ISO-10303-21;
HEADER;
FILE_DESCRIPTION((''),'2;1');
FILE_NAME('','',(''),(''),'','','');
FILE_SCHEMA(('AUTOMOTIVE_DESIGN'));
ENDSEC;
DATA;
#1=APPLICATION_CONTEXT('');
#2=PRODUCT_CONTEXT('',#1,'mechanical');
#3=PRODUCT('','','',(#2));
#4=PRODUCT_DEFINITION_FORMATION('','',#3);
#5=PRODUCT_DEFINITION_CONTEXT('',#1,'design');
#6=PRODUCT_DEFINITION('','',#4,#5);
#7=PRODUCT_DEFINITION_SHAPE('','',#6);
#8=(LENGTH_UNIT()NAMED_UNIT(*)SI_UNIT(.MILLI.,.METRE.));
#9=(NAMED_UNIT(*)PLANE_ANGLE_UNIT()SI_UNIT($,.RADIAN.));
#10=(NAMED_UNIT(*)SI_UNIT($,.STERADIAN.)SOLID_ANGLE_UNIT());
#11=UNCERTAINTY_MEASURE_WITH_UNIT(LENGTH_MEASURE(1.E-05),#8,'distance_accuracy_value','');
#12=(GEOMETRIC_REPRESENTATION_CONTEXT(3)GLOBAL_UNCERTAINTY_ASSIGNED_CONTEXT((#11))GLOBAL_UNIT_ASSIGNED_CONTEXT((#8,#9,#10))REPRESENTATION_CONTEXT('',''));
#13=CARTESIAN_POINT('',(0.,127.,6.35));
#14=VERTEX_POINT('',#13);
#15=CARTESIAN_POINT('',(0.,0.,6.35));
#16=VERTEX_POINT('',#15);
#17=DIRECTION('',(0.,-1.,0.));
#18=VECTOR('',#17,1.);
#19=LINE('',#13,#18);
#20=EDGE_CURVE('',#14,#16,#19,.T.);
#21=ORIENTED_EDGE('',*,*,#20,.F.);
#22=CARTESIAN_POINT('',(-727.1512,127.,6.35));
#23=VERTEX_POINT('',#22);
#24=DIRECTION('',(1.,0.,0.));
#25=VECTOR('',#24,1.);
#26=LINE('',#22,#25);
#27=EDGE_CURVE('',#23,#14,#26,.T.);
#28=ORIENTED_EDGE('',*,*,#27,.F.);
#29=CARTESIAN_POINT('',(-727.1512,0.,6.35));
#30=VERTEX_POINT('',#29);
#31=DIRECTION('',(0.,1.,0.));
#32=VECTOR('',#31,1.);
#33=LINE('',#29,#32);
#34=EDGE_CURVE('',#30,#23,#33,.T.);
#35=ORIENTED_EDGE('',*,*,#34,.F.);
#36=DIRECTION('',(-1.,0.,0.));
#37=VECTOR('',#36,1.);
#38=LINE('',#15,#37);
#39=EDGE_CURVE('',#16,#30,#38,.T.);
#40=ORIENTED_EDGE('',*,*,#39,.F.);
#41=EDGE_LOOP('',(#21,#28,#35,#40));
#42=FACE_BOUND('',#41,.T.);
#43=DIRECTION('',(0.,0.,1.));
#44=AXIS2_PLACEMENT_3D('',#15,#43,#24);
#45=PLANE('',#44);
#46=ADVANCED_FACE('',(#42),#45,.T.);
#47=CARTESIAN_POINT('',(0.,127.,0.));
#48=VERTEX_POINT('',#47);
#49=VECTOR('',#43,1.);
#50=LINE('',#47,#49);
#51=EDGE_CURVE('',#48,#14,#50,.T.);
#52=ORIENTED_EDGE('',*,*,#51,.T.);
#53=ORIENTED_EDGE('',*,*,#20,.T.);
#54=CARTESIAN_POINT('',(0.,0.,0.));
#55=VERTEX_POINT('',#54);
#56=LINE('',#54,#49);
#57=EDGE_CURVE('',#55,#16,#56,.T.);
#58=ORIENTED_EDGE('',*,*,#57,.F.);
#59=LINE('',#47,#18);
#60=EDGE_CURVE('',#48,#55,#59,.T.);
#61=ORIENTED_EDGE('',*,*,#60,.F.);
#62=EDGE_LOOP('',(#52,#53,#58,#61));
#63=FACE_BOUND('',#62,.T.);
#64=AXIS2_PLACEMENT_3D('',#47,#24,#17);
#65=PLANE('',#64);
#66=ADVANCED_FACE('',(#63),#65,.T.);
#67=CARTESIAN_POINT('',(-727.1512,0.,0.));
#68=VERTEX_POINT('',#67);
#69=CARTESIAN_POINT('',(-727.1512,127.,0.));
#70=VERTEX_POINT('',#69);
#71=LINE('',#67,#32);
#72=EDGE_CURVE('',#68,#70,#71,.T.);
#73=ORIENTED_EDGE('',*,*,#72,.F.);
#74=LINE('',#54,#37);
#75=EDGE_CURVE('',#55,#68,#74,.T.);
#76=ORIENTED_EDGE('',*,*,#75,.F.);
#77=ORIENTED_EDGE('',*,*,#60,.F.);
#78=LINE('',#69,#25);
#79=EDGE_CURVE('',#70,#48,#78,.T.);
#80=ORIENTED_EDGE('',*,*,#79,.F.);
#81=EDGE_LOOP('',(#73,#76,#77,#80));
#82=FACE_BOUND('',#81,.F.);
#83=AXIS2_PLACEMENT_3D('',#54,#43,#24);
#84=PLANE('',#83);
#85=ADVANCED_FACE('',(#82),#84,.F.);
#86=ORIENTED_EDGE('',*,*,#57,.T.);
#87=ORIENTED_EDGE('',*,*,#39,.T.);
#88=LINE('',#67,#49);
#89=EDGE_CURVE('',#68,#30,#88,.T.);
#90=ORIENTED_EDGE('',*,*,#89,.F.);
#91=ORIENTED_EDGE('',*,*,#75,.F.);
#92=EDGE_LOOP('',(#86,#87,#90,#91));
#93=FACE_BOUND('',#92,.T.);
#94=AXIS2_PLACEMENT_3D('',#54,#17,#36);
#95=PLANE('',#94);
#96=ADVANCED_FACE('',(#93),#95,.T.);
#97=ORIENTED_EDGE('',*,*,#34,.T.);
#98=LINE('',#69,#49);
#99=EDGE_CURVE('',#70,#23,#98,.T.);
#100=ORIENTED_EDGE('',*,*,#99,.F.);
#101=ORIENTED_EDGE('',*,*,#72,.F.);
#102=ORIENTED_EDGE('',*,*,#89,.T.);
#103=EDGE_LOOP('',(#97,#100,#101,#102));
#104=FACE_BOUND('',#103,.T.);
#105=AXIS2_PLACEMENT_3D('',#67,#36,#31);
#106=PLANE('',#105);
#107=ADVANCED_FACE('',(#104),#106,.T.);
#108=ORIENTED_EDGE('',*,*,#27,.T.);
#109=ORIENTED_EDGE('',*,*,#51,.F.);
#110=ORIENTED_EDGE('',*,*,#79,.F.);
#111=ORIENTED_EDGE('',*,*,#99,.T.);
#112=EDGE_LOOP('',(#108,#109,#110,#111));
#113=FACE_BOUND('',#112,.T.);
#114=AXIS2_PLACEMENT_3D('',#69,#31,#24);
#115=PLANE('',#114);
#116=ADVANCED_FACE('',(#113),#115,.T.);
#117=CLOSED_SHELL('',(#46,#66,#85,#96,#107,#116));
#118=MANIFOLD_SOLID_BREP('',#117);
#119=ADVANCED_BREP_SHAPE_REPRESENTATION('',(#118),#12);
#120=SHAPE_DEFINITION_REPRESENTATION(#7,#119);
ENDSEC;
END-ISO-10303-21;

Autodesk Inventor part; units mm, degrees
ref_plane "YZ Plane" through (0, 0, 0) normal (1, 0, 0) x (0, 1, 0)
ref_plane "XZ Plane" through (0, 0, 0) normal (0, 1, 0) x (-1, 0, 0)
ref_plane "XY Plane" through (0, 0, 0) normal (0, 0, 1) x (1, 0, 0)
sketch "Sketch1" plane through (0, 0, 0) normal (0, 0, 1) x (1, 0, 0)
  line L0 (0, 0) -> (-727.1512, 0)
  line L1 (-727.1512, 0) -> (-727.1512, 127)
  line L2 (-727.1512, 127) -> (0, 127)
  line L3 (0, 127) -> (0, 0)
  dimension "d0" = 727.1512
  dimension "d1" = 127
extrude "Extrusion1" add sketch "Sketch1" along normal blind 6.35
properties part number "wheel support sheet"
